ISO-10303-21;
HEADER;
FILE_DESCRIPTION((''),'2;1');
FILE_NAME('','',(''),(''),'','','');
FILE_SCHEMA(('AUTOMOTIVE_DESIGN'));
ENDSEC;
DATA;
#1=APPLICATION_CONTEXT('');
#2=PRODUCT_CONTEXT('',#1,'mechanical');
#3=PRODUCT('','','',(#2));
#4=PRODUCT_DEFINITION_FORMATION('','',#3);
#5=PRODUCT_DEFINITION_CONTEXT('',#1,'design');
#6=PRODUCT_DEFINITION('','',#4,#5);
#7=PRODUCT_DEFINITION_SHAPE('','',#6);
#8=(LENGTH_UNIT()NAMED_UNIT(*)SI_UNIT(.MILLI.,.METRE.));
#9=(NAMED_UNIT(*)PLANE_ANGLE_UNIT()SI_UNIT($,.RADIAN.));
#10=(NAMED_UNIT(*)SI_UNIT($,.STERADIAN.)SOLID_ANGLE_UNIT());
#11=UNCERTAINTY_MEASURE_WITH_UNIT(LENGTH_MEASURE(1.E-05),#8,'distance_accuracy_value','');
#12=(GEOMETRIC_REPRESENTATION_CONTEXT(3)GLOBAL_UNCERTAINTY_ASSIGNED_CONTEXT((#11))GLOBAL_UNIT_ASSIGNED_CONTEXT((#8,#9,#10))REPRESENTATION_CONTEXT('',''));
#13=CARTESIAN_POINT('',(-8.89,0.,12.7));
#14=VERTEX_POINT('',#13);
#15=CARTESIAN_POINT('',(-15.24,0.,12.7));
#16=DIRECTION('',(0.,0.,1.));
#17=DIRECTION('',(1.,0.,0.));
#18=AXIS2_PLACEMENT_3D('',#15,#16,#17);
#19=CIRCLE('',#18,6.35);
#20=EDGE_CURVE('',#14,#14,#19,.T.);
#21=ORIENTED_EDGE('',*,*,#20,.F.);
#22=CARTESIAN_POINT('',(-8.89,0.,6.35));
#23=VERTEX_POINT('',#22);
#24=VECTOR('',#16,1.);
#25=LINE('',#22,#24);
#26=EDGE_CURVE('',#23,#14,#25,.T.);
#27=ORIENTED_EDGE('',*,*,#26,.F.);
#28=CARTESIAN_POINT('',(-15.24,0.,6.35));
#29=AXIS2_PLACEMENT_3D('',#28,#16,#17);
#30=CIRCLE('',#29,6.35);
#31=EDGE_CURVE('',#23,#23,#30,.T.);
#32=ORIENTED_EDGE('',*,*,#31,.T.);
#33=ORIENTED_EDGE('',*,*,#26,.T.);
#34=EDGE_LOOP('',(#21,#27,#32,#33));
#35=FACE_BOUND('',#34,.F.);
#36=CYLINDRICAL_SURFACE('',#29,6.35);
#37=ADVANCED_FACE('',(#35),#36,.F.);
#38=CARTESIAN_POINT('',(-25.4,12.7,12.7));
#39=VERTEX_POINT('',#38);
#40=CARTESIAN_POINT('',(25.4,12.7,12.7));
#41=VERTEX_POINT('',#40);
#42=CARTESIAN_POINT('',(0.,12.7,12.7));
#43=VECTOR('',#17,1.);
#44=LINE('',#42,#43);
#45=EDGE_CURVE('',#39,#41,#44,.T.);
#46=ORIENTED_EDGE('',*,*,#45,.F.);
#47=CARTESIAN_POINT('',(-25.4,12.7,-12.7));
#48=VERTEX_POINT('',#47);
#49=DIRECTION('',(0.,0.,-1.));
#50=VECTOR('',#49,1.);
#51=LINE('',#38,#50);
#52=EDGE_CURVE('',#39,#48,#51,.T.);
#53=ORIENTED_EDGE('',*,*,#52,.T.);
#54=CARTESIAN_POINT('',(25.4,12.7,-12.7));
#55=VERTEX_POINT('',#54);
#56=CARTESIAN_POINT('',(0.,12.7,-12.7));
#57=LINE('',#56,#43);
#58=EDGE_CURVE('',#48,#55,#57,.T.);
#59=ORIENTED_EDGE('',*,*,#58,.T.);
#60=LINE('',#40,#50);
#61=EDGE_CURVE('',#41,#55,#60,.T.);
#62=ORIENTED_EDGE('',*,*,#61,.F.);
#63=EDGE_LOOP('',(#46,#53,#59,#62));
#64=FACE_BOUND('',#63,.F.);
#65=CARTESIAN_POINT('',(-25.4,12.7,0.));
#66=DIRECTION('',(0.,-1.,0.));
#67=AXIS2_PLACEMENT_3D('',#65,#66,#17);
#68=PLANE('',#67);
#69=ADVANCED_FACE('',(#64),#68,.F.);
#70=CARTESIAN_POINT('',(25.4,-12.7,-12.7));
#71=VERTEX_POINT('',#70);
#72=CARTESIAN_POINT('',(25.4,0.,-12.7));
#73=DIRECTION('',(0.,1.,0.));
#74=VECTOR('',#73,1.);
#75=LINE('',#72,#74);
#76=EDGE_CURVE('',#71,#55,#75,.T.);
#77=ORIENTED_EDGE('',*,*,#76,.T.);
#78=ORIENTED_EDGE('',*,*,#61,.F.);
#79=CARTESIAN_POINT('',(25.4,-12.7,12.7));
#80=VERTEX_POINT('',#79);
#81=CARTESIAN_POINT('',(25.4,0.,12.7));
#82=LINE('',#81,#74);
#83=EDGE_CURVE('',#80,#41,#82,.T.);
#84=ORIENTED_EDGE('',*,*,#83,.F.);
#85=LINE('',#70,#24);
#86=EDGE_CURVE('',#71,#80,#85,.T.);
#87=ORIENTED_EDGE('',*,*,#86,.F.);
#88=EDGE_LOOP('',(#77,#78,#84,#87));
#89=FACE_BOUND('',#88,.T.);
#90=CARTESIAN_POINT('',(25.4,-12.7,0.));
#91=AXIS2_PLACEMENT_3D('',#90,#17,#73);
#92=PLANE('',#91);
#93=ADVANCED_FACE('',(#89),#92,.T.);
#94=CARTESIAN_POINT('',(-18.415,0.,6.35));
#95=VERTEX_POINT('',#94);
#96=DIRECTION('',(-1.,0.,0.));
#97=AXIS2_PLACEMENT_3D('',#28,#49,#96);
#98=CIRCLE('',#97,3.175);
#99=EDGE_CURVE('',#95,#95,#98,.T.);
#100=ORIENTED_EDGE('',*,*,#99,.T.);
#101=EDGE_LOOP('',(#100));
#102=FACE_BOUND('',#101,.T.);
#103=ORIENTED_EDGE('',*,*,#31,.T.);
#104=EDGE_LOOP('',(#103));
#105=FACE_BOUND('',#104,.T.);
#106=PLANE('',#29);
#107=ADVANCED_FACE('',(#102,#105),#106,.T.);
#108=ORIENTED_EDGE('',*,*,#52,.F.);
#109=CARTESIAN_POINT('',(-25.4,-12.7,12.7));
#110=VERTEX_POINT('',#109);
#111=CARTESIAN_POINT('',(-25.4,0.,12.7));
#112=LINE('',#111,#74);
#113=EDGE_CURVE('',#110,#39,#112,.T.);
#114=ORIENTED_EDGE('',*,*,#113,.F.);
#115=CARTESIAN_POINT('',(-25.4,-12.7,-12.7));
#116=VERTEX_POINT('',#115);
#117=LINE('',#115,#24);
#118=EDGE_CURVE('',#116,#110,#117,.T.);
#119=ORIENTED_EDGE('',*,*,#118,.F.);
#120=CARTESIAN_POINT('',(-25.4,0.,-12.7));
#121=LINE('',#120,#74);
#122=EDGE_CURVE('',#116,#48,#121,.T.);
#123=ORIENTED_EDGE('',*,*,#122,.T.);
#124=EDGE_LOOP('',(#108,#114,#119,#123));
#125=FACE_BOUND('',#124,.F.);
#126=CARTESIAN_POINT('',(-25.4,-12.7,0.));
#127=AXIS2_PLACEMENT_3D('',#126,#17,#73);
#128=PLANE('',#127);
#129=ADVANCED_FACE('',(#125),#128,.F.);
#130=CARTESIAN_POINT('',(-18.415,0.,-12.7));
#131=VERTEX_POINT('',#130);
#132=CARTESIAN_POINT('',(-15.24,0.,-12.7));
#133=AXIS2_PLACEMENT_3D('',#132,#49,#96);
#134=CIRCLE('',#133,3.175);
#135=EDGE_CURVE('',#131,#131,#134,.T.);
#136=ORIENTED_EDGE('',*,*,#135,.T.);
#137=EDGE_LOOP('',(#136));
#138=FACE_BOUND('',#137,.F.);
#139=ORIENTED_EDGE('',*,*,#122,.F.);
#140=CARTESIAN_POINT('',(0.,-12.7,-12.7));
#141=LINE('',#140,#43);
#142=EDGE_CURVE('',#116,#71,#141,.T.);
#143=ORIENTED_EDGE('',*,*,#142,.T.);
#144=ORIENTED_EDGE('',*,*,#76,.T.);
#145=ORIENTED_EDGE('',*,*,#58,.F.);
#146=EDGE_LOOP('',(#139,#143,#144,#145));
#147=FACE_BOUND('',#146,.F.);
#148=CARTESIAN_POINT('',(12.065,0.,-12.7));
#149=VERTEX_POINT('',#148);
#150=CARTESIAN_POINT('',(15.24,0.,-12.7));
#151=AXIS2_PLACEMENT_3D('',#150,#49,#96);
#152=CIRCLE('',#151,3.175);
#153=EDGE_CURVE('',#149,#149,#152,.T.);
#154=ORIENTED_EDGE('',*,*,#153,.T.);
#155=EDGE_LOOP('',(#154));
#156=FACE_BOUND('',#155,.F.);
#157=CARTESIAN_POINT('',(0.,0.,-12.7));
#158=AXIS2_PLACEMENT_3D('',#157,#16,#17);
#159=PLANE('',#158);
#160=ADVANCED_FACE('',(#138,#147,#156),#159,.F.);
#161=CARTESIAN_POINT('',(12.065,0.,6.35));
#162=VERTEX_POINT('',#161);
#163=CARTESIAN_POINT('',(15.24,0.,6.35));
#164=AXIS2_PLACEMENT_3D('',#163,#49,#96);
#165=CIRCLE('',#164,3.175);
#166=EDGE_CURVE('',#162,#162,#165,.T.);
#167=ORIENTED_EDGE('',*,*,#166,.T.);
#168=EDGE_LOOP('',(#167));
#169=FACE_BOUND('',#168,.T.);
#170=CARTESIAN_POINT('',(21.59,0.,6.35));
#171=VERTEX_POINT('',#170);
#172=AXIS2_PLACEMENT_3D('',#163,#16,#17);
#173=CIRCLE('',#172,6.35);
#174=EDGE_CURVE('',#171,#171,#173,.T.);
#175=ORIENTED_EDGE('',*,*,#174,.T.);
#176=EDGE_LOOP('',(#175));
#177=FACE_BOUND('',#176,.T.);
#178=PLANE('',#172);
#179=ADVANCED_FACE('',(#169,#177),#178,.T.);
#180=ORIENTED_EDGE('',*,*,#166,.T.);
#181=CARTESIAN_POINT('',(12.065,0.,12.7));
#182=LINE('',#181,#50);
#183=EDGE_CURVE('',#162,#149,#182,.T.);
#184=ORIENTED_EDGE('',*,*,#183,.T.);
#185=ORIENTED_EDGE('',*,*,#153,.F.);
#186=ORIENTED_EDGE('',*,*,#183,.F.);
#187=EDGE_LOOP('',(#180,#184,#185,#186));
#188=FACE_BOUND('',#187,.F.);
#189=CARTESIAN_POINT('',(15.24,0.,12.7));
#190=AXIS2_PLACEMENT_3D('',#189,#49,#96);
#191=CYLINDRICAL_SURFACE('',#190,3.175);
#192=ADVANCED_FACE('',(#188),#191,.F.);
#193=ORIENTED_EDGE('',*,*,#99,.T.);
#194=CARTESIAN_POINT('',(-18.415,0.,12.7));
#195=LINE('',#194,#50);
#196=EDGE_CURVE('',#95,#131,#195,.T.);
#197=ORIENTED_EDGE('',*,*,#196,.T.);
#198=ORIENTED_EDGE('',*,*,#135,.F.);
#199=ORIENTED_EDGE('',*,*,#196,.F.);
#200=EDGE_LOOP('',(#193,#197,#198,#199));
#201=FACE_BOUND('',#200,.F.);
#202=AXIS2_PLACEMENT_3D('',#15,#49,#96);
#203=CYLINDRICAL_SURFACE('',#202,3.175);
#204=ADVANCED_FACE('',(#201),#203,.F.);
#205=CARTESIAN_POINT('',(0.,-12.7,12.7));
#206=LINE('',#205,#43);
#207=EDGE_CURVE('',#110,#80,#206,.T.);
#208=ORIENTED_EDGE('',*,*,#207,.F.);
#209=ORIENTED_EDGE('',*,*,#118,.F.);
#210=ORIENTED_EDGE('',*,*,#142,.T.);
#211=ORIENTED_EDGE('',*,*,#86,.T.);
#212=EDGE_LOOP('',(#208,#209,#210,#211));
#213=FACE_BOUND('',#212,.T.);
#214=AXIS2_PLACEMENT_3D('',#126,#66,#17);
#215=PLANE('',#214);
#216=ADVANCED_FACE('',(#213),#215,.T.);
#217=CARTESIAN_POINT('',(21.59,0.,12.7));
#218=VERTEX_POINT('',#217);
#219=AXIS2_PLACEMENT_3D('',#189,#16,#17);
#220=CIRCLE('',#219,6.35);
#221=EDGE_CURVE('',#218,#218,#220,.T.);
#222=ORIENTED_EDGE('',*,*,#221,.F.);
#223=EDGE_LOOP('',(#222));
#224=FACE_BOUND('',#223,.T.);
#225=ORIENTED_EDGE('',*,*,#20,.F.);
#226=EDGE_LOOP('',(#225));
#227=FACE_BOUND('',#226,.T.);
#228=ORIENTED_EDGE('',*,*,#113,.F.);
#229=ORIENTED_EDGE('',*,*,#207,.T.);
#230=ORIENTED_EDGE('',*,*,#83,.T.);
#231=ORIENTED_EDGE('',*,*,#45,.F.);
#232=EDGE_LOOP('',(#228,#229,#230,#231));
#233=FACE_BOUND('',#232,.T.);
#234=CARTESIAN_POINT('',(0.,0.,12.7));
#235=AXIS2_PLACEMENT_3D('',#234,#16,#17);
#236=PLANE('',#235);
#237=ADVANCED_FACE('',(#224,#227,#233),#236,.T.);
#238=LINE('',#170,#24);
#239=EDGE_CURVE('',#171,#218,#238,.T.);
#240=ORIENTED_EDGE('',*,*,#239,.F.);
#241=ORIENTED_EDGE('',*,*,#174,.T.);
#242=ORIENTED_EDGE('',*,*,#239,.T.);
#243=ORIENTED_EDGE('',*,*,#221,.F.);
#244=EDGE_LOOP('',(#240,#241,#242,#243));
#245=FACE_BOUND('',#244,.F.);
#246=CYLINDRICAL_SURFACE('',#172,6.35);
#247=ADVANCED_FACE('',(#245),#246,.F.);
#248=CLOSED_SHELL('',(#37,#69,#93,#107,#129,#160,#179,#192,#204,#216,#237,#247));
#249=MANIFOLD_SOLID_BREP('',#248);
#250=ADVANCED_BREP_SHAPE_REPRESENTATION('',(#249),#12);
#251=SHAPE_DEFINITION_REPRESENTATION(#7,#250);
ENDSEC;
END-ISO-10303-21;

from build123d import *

# Parameters (mm, degrees)
F0_W           = 50.8
F0_H           = 25.4
F1_DEPTH       = 12.7
F3_D           = 6.35
F3_CBORE_D     = 12.7
F3_CBORE_DEPTH = 6.35


with BuildPart() as f1:
    # F0 (on Top) → F1 (new body, symmetric)
    with BuildSketch(Plane.XY):
        Rectangle(F0_W, F0_H)
    extrude(amount=F1_DEPTH, both=True)

    # F3 (through all)
    with Locations(Plane.XY.offset(12.7)):
        with Locations((-15.24, 0), (15.24, 0)):
            CounterBoreHole(F3_D / 2, F3_CBORE_D / 2, F3_CBORE_DEPTH)


solid = f1.part
